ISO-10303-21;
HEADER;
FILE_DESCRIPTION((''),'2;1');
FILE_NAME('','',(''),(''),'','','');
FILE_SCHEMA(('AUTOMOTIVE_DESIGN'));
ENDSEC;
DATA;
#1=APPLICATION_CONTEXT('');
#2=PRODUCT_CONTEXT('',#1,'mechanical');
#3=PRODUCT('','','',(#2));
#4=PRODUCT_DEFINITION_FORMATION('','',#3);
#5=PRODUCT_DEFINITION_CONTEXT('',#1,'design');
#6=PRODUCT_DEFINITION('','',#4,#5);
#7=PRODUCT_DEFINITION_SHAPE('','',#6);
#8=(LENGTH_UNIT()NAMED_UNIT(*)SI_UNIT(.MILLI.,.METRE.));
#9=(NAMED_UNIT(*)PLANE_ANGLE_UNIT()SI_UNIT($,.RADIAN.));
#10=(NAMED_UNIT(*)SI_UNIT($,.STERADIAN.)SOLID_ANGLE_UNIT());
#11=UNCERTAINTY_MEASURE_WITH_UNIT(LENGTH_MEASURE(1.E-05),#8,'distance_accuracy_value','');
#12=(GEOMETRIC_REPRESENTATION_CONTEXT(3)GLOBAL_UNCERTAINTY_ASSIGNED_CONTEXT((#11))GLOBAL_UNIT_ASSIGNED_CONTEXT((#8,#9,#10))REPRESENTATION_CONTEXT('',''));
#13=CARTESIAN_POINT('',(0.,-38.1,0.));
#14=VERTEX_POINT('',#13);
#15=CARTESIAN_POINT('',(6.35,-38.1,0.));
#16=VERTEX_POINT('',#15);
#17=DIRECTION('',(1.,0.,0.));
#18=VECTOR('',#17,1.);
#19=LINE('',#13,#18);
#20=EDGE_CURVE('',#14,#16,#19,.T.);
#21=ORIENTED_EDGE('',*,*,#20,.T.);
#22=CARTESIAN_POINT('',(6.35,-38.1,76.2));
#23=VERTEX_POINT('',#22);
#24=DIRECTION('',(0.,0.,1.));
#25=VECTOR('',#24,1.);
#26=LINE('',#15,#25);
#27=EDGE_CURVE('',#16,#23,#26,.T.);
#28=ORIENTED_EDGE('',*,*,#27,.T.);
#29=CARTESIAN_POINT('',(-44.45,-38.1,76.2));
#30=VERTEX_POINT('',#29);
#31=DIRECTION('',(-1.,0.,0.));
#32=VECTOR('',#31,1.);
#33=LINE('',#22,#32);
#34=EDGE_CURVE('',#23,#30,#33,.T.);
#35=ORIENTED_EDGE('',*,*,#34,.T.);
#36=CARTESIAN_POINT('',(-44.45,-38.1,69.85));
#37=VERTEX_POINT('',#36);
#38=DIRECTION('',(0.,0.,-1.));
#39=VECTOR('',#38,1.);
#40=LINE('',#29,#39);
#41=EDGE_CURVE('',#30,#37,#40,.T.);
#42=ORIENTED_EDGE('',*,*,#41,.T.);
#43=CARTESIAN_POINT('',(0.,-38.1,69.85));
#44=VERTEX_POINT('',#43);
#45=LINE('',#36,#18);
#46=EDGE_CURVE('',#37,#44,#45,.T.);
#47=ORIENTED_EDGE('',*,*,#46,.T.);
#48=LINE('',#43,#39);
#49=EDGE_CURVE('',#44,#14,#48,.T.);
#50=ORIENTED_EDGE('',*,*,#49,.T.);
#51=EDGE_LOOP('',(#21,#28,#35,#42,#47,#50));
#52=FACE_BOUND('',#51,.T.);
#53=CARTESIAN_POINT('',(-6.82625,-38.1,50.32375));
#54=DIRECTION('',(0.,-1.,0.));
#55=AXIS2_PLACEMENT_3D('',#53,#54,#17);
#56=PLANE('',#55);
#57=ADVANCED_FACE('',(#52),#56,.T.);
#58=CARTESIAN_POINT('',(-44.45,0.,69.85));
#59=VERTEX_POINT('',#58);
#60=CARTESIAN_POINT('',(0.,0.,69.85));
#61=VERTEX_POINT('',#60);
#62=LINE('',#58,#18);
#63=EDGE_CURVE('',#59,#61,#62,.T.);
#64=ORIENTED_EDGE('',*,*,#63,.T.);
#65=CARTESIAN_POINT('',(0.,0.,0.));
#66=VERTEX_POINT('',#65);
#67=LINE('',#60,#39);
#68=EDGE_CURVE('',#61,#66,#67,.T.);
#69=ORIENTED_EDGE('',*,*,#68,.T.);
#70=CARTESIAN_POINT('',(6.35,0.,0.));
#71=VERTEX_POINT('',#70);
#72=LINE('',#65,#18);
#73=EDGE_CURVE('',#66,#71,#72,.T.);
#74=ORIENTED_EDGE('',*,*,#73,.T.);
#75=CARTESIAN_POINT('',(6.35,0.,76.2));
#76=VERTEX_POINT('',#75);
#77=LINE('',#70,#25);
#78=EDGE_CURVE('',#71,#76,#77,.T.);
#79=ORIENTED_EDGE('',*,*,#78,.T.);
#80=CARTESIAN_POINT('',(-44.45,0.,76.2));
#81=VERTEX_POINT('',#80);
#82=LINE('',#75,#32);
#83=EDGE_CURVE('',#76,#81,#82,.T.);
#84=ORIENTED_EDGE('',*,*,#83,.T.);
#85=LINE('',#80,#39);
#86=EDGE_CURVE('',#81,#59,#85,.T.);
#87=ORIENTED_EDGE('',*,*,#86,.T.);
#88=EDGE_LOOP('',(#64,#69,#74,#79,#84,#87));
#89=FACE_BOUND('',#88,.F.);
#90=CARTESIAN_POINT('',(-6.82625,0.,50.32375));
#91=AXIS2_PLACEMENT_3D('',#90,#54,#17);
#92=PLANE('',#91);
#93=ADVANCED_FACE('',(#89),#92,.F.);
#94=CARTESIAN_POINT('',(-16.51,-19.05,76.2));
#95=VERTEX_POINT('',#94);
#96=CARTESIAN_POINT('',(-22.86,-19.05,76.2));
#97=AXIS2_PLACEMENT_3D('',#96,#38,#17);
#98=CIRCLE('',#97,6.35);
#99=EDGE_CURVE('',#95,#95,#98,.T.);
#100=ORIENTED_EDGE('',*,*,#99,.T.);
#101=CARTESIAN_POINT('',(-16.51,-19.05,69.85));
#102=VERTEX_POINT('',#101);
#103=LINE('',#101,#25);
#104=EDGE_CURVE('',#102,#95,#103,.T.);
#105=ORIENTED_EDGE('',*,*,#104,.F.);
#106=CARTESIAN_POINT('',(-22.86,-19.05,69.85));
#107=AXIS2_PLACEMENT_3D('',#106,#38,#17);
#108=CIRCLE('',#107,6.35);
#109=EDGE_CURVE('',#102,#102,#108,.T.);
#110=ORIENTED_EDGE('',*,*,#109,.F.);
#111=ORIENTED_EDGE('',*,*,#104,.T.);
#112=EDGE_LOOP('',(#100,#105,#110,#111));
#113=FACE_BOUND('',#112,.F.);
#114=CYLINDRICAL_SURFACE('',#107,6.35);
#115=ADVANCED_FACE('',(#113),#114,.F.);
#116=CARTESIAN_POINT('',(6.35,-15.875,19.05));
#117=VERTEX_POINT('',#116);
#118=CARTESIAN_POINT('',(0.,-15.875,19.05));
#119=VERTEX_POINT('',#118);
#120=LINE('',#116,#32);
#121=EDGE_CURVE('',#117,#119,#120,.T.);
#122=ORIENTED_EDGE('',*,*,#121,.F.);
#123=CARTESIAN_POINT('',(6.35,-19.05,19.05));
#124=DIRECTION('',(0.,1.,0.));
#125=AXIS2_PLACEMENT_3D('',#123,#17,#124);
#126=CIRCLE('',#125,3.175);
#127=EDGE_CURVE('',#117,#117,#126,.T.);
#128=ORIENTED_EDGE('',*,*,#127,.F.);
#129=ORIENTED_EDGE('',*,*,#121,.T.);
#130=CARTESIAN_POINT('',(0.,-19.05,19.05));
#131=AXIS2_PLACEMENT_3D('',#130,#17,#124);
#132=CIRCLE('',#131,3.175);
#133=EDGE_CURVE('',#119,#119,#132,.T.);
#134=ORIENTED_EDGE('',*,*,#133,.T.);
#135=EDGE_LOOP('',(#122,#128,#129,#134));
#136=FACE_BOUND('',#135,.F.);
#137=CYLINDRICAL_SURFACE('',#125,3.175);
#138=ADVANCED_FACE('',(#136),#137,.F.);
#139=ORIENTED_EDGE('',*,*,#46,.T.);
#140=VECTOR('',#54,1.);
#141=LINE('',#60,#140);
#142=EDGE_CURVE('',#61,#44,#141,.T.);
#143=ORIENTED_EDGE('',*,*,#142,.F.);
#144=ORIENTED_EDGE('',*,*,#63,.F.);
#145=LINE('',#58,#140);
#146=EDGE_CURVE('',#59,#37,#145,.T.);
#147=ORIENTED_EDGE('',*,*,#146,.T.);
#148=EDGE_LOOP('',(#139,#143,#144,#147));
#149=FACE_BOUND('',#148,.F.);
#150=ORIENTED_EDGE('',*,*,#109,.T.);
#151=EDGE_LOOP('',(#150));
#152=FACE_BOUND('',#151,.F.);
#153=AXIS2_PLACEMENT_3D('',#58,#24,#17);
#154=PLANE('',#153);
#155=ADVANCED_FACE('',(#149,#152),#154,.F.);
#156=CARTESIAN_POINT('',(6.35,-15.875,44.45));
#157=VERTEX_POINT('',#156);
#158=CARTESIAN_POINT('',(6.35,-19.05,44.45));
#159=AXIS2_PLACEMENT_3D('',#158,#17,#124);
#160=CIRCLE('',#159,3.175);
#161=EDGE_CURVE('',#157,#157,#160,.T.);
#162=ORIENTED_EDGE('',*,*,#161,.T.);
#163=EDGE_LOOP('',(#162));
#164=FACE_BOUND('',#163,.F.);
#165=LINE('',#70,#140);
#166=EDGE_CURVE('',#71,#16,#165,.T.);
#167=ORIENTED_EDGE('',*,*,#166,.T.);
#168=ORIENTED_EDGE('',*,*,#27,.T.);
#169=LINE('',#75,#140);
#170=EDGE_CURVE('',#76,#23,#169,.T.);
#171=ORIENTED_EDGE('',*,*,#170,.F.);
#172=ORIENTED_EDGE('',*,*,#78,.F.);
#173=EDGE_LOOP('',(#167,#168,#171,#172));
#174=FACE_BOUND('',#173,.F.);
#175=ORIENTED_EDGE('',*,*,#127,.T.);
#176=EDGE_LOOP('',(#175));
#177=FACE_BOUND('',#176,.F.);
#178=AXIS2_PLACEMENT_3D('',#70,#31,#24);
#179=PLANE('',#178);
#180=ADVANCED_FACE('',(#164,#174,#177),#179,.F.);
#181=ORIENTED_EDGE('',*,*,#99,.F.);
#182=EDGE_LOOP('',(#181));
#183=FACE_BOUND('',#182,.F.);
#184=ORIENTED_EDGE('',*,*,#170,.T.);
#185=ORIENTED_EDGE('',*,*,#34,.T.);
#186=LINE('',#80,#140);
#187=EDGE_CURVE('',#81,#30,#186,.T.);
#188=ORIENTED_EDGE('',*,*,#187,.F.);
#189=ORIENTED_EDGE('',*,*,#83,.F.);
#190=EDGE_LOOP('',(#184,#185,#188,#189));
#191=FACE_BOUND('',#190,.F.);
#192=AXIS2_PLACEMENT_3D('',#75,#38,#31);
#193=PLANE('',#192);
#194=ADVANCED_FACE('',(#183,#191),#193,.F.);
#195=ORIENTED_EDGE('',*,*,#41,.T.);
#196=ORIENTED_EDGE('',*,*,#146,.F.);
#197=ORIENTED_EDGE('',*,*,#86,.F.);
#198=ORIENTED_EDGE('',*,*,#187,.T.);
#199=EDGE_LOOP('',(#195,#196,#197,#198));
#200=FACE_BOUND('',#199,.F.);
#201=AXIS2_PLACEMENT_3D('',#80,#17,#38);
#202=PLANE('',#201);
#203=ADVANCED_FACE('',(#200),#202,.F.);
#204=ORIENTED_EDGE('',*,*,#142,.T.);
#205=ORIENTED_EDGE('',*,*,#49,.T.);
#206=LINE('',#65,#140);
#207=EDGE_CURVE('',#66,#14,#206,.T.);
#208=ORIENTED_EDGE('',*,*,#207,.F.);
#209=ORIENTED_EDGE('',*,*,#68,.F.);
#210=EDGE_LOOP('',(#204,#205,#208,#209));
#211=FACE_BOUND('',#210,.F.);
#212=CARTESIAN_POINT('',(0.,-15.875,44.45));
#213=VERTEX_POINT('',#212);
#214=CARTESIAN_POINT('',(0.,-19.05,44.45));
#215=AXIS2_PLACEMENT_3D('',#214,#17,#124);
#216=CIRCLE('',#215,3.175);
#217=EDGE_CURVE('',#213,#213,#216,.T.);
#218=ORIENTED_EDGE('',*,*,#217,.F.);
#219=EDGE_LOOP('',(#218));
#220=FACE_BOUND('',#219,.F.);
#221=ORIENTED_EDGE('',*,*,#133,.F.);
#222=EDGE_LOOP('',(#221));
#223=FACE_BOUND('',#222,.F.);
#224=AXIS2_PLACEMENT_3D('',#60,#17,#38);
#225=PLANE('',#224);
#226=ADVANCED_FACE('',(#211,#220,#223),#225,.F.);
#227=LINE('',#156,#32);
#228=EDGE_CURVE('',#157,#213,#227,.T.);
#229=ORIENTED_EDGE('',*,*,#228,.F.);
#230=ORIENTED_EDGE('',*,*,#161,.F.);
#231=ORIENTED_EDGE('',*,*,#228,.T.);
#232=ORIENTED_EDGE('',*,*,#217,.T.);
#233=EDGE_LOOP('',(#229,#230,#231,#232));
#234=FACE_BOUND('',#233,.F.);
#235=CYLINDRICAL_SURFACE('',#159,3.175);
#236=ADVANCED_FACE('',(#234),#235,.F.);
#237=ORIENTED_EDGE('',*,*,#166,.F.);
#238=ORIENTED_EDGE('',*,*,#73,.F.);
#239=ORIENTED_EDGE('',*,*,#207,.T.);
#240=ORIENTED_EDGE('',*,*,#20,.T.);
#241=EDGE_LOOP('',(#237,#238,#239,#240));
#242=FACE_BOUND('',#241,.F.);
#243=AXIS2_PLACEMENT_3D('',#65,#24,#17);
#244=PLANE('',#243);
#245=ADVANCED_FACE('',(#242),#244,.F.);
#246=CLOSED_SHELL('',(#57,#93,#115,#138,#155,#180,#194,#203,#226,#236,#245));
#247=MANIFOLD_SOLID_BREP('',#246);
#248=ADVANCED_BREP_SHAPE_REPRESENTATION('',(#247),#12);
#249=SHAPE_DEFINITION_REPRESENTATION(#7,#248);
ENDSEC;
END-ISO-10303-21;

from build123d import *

# Parameters (mm, degrees)
F1_DEPTH = 38.1
F2_R     = 3.175
F3_DEPTH = 25.4
F4_R     = 6.35
F5_DEPTH = 25.4


with BuildPart() as f1:
    # F0 (on Front) → F1 (new body)
    with BuildSketch(Plane.XZ):
        Polygon((0, 69.85), (0, 0), (6.35, 0), (6.35, 76.2), (-44.45, 76.2), (-44.45, 69.85), align=None)
    extrude(amount=F1_DEPTH)

    # F2 (on face) → F3 (cut)
    with BuildSketch(Plane.YZ.offset(6.35)):
        with Locations((-19.05, 44.45)):
            Circle(F2_R)
        with Locations((-19.05, 19.05)):
            Circle(F2_R)
    extrude(amount=-F3_DEPTH, mode=Mode.SUBTRACT)

    # F4 (on face) → F5 (cut)
    with BuildSketch(Plane(origin=(0, 0, 69.85), x_dir=(1, 0, 0), z_dir=(0, 0, -1))):
        with Locations((-22.86, 19.05)):
            Circle(F4_R)
    extrude(amount=-F5_DEPTH, mode=Mode.SUBTRACT)


solid = f1.part
